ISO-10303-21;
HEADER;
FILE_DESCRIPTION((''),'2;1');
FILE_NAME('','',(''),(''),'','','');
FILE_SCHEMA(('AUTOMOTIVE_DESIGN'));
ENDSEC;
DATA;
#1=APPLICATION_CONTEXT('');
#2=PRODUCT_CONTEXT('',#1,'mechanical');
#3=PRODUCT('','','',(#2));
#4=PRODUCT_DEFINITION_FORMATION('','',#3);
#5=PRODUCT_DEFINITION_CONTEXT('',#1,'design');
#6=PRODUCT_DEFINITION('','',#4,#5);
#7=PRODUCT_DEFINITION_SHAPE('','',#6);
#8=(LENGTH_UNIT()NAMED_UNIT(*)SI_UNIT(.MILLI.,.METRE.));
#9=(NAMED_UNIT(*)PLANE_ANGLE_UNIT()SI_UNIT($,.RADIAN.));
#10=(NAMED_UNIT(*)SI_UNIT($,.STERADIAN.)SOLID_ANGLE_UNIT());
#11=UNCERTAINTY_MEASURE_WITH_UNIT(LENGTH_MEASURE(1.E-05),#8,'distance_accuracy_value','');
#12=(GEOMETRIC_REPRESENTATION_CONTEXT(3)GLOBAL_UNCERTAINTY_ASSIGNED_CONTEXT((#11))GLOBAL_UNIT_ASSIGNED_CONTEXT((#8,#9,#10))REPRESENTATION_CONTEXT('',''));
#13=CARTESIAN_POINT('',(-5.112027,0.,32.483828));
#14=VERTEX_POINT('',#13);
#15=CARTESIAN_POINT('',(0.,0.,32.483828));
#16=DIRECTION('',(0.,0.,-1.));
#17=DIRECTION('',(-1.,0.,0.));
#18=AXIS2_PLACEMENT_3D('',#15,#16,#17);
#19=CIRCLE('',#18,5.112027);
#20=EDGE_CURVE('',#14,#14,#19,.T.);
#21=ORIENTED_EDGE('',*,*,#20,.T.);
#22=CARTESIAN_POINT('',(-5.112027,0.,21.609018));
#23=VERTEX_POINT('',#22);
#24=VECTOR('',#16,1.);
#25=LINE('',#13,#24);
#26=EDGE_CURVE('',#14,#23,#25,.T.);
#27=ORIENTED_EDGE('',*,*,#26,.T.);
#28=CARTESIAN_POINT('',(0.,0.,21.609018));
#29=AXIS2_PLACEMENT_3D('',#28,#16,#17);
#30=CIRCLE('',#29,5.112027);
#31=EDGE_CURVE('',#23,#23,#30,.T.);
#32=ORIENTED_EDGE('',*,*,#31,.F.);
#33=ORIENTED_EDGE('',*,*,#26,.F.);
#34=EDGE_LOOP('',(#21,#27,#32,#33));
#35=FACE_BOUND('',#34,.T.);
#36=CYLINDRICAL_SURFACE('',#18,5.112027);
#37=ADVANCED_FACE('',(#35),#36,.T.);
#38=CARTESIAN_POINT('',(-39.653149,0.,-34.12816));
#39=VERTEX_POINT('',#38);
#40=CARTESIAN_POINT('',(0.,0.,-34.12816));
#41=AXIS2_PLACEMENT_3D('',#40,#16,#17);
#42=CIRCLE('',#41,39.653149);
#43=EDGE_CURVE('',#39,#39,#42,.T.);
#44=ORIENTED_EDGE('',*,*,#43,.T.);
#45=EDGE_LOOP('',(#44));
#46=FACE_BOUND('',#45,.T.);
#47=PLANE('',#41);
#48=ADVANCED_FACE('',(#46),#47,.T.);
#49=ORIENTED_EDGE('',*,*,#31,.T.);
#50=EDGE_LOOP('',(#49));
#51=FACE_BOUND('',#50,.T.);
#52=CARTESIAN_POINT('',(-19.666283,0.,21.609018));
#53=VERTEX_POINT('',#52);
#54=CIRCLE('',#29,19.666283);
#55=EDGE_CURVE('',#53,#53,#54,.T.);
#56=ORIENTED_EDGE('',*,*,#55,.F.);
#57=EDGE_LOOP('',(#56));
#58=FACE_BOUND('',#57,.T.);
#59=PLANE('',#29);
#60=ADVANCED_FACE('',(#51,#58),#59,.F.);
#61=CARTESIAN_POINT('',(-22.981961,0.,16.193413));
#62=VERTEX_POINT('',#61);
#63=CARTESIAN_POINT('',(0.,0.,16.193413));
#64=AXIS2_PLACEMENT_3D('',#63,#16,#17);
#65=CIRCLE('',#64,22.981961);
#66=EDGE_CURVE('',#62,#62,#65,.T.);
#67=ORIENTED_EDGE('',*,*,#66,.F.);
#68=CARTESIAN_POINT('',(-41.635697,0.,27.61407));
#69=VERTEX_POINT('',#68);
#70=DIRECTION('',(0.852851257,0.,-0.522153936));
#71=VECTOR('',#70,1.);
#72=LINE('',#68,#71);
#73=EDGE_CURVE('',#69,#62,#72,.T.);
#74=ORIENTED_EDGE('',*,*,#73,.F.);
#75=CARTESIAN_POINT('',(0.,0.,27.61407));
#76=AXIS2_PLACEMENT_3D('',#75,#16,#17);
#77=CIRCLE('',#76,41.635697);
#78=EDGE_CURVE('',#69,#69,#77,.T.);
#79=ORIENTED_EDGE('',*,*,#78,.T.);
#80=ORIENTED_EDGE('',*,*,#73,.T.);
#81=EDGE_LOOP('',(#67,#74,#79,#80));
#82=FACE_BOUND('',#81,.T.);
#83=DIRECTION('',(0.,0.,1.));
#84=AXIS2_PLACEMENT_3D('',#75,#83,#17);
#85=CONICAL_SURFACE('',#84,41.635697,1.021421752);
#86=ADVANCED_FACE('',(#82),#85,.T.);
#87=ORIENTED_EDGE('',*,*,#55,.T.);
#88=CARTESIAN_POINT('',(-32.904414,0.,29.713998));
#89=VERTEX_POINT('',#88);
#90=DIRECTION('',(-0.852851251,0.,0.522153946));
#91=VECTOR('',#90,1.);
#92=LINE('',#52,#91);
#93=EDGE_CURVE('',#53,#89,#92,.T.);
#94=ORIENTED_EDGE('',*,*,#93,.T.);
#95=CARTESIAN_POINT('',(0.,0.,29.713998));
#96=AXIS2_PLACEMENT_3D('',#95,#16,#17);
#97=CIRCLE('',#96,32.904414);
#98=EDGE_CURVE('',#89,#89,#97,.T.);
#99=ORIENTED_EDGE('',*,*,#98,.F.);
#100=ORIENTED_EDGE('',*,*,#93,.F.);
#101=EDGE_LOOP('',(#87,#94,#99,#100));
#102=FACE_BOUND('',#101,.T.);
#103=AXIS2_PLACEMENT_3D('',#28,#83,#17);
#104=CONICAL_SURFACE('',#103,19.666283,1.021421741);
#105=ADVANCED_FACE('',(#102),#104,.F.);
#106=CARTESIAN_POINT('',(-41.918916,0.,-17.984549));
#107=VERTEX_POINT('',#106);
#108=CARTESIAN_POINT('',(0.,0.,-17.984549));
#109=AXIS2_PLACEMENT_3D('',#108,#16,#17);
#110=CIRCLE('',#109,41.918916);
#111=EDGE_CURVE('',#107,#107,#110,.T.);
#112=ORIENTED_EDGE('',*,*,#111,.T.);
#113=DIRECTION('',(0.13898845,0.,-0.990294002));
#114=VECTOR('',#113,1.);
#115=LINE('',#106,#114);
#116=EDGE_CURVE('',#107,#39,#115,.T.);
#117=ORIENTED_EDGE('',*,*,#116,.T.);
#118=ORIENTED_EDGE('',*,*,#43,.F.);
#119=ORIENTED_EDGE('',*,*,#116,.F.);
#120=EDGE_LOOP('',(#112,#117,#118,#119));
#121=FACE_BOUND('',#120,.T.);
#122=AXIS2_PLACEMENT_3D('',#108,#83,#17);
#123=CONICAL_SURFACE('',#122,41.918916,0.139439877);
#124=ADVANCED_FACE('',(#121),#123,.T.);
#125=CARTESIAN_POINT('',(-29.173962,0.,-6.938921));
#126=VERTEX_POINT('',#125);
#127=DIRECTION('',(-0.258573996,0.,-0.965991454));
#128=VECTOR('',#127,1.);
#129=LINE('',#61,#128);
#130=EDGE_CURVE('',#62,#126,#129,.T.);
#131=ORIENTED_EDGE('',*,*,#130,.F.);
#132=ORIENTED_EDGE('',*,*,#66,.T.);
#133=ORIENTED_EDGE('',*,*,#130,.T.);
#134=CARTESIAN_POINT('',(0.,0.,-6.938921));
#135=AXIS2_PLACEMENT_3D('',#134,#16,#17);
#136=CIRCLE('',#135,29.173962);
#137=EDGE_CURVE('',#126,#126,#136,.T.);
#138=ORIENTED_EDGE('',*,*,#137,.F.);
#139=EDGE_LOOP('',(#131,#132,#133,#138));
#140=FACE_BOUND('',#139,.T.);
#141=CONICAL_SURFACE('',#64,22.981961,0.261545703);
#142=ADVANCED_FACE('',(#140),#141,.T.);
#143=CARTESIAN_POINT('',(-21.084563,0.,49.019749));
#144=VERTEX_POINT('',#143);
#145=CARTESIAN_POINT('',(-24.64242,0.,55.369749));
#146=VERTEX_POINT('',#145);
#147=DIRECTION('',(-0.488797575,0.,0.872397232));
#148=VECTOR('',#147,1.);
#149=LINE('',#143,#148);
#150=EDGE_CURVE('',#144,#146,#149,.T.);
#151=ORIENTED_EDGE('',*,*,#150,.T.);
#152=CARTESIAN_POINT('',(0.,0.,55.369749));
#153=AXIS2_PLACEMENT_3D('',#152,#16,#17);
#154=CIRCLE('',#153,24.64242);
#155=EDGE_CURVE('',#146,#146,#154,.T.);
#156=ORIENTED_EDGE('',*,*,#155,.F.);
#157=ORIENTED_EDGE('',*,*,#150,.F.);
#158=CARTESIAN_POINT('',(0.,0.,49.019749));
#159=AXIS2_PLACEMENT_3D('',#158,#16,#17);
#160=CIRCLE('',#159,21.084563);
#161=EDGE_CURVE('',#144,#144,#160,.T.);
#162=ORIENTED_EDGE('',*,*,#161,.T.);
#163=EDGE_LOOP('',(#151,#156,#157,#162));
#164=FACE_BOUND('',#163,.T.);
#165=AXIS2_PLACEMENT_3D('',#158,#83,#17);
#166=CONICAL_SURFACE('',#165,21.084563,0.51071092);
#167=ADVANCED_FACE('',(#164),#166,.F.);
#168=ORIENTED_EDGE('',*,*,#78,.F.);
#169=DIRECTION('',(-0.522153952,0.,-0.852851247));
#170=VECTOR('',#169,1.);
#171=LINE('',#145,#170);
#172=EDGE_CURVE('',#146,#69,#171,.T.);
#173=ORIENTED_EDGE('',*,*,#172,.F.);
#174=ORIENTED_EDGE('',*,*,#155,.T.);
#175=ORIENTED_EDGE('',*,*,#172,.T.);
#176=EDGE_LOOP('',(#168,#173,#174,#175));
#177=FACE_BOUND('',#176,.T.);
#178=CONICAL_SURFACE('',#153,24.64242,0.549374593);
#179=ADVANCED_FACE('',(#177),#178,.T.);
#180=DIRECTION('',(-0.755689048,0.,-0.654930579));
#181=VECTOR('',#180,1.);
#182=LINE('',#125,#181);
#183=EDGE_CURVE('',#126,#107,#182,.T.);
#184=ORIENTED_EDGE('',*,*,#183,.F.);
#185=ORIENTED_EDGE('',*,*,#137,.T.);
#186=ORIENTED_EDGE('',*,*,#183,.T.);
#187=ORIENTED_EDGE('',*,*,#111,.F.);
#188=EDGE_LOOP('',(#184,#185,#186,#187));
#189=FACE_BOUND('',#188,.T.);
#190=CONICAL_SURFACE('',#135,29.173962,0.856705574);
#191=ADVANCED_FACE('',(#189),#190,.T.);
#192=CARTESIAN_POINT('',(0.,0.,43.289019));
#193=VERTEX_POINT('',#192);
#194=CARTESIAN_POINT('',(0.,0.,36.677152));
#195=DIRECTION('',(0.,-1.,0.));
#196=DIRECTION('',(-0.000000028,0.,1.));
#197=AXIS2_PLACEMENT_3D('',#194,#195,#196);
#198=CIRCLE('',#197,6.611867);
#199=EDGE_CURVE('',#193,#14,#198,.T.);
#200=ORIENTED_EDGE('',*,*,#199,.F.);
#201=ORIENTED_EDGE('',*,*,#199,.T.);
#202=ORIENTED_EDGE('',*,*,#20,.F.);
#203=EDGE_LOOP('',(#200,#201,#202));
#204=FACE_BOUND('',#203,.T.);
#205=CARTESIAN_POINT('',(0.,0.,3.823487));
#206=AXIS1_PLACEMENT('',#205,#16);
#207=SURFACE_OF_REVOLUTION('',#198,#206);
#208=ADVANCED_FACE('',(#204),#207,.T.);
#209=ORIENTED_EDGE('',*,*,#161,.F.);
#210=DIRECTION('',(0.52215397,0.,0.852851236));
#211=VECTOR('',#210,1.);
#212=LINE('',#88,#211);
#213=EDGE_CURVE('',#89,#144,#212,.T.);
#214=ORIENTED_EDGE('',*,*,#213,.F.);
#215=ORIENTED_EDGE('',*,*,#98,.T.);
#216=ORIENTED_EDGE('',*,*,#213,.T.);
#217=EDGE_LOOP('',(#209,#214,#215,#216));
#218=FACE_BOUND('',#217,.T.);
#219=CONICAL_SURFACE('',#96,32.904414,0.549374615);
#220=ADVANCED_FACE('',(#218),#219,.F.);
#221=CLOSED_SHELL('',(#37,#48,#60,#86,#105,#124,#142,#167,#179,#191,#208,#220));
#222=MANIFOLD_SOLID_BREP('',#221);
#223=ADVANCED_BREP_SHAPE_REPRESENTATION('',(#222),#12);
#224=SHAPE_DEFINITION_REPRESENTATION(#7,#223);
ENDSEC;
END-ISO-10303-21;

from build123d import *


with BuildPart() as f1:
    # F0 (on Front) → F1 (revolve)
    with BuildSketch(Plane.XZ):
        Polygon((-21.084563, 49.019749), (-24.64242, 55.369749), (-41.635697, 27.61407), (-22.981961, 16.193413), (-29.173962, -6.938921), (0, -6.089257), (0, 13.73623), (0, 21.609018), (-5.112027, 21.609018), (-19.666283, 21.609018), (-32.904414, 29.713998), align=None)
        with BuildLine():
            Line((-5.112027, 32.483828), (-5.112027, 21.609018))
            Line((-5.112027, 21.609018), (0, 21.609018))
            Line((0, 21.609018), (0, 30.065285))
            ThreePointArc((0, 30.065285), (-2.827639, 30.700427), (-5.112027, 32.483828))
        make_face()
        with BuildLine():
            ThreePointArc((0, 43.289019), (-5.976725, 39.504791), (-5.112027, 32.483828))
            ThreePointArc((-5.112027, 32.483828), (-2.827639, 30.700427), (0, 30.065285))
            Line((0, 30.065285), (0, 43.289019))
        make_face()
        Polygon((0, -6.089257), (-29.173962, -6.938921), (-41.918916, -17.984549), (-39.653149, -34.12816), (0, -34.12816), (0, -18.245815), align=None)
    revolve(axis=Axis((0, 0, 3.823487), (0, 0, -1)))


solid = f1.part
